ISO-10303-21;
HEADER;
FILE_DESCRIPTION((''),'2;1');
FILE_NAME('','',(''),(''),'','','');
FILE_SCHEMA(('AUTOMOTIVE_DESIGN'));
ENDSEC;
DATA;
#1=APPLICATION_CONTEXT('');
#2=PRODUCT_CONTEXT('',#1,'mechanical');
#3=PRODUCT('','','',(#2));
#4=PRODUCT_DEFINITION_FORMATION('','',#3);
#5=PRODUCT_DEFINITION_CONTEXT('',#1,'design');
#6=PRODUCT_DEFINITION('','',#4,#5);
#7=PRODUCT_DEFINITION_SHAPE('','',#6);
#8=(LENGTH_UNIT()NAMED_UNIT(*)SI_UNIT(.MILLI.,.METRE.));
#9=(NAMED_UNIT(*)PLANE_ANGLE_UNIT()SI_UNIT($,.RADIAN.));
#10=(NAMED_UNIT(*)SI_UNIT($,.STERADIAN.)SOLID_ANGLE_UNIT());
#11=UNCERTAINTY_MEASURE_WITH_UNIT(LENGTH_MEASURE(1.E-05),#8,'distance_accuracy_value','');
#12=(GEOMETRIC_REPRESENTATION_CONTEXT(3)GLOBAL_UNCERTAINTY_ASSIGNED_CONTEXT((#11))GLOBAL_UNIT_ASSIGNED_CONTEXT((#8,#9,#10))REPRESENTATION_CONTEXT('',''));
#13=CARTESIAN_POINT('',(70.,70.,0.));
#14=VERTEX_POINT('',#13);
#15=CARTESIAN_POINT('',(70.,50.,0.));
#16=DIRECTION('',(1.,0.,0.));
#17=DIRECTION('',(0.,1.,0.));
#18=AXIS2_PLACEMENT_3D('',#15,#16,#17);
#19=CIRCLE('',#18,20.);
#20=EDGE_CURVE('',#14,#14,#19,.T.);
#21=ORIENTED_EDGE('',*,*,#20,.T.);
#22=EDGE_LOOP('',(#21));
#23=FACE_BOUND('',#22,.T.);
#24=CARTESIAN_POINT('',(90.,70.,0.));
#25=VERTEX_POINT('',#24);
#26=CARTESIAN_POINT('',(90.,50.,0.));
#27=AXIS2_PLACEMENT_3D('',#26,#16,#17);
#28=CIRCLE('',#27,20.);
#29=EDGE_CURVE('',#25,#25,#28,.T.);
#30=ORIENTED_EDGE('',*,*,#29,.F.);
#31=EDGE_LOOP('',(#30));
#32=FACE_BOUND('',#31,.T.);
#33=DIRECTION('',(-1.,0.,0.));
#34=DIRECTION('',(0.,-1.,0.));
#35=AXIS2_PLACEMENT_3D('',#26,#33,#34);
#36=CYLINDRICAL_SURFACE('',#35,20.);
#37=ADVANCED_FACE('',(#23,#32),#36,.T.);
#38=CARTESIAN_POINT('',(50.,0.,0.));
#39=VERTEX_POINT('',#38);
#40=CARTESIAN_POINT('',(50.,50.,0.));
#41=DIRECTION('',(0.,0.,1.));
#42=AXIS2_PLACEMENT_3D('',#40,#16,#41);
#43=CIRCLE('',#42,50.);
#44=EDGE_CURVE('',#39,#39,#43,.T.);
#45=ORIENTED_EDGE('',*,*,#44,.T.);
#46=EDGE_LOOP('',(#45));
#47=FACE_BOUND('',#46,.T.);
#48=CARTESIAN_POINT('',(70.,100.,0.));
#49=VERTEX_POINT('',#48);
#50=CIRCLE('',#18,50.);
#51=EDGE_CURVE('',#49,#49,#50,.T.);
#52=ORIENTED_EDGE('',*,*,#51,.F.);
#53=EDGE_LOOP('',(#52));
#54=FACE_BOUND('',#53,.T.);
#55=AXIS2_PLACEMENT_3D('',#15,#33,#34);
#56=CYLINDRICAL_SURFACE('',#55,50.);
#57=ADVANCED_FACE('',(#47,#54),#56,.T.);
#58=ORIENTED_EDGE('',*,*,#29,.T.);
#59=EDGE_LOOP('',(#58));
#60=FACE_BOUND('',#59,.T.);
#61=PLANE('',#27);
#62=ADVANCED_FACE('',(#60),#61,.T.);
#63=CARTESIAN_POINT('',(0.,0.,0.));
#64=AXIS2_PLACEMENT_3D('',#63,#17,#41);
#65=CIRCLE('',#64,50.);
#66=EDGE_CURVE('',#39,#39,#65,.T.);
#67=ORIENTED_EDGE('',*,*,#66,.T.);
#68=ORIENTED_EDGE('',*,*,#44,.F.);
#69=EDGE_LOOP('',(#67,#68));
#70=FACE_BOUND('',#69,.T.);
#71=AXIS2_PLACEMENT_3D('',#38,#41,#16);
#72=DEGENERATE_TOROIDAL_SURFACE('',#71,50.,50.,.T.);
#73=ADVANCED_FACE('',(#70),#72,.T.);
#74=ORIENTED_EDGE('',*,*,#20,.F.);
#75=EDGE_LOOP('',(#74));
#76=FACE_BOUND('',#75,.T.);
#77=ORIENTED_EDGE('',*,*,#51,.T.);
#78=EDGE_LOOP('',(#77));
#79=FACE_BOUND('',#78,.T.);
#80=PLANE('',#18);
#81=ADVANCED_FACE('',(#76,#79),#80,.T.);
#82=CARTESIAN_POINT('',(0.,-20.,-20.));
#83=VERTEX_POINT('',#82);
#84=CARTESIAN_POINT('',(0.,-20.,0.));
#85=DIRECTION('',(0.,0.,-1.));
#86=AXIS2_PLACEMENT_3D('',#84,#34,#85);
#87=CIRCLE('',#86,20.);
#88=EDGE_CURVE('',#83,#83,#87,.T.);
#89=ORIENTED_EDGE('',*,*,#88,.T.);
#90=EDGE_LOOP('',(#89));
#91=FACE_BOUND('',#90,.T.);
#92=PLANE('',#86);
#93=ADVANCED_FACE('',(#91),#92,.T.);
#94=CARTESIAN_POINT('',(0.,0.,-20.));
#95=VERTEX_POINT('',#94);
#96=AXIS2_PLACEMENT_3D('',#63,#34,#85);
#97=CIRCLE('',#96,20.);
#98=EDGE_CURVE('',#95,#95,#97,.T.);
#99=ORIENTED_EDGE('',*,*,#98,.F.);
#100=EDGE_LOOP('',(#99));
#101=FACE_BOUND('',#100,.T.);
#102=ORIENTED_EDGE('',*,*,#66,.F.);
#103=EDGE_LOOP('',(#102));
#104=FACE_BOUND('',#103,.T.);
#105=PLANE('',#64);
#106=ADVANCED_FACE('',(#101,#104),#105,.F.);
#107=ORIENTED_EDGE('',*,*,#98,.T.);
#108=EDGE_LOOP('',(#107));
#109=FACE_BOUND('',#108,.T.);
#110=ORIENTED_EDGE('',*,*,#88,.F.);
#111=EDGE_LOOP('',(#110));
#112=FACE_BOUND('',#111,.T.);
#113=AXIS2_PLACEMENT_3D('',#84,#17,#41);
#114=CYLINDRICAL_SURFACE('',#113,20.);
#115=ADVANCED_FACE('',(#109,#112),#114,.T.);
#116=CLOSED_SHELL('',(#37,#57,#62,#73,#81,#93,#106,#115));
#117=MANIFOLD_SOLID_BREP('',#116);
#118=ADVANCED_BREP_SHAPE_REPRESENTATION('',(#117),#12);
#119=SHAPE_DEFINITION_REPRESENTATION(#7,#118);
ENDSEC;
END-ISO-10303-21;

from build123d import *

# Parameters (mm, degrees)
SKETCH1_R           = 50
SKETCH4_R           = 20
BOSS_EXTRUDE2_DEPTH = 20
SKETCH5_R           = 50
BOSS_EXTRUDE3_DEPTH = 20
SKETCH6_R           = 20
BOSS_EXTRUDE4_DEPTH = 20


with BuildPart() as part:
    # Sweep1: sweep along a path in Sketch2
    with BuildLine(Plane.XY) as sweep1_path:
        ThreePointArc((50, 50), (14.644660941, 35.355339059), (0, 0))
    # Sketch1 → Sweep1 (sweep)
    with BuildSketch(Plane(origin=(0, 0, 0), x_dir=(1, 0, 0), z_dir=(0, 1, 0))):
        Circle(SKETCH1_R)
    sweep(path=sweep1_path.line)

    # Sketch4 → Boss-Extrude2 (add)
    with BuildSketch(Plane.XZ):
        with Locations(Location((0, 0, 0), (0, 0, 270))):
            Circle(SKETCH4_R)
    extrude(amount=BOSS_EXTRUDE2_DEPTH)

    # Sketch5 → Boss-Extrude3 (add)
    with BuildSketch(Plane(origin=(50, 0, 0), x_dir=(0, 0, -1), z_dir=(1, 0, 0))):
        with Locations(Location((0, 50, 0), (0, 0, 270))):
            Circle(SKETCH5_R)
    extrude(amount=BOSS_EXTRUDE3_DEPTH)

    # Sketch6 → Boss-Extrude4 (add)
    with BuildSketch(Plane(origin=(70, 0, 0), x_dir=(0, 0, -1), z_dir=(1, 0, 0))):
        with Locations(Location((0, 50, 0), (0, 0, 90))):
            Circle(SKETCH6_R)
    extrude(amount=BOSS_EXTRUDE4_DEPTH)


solid = part.part
